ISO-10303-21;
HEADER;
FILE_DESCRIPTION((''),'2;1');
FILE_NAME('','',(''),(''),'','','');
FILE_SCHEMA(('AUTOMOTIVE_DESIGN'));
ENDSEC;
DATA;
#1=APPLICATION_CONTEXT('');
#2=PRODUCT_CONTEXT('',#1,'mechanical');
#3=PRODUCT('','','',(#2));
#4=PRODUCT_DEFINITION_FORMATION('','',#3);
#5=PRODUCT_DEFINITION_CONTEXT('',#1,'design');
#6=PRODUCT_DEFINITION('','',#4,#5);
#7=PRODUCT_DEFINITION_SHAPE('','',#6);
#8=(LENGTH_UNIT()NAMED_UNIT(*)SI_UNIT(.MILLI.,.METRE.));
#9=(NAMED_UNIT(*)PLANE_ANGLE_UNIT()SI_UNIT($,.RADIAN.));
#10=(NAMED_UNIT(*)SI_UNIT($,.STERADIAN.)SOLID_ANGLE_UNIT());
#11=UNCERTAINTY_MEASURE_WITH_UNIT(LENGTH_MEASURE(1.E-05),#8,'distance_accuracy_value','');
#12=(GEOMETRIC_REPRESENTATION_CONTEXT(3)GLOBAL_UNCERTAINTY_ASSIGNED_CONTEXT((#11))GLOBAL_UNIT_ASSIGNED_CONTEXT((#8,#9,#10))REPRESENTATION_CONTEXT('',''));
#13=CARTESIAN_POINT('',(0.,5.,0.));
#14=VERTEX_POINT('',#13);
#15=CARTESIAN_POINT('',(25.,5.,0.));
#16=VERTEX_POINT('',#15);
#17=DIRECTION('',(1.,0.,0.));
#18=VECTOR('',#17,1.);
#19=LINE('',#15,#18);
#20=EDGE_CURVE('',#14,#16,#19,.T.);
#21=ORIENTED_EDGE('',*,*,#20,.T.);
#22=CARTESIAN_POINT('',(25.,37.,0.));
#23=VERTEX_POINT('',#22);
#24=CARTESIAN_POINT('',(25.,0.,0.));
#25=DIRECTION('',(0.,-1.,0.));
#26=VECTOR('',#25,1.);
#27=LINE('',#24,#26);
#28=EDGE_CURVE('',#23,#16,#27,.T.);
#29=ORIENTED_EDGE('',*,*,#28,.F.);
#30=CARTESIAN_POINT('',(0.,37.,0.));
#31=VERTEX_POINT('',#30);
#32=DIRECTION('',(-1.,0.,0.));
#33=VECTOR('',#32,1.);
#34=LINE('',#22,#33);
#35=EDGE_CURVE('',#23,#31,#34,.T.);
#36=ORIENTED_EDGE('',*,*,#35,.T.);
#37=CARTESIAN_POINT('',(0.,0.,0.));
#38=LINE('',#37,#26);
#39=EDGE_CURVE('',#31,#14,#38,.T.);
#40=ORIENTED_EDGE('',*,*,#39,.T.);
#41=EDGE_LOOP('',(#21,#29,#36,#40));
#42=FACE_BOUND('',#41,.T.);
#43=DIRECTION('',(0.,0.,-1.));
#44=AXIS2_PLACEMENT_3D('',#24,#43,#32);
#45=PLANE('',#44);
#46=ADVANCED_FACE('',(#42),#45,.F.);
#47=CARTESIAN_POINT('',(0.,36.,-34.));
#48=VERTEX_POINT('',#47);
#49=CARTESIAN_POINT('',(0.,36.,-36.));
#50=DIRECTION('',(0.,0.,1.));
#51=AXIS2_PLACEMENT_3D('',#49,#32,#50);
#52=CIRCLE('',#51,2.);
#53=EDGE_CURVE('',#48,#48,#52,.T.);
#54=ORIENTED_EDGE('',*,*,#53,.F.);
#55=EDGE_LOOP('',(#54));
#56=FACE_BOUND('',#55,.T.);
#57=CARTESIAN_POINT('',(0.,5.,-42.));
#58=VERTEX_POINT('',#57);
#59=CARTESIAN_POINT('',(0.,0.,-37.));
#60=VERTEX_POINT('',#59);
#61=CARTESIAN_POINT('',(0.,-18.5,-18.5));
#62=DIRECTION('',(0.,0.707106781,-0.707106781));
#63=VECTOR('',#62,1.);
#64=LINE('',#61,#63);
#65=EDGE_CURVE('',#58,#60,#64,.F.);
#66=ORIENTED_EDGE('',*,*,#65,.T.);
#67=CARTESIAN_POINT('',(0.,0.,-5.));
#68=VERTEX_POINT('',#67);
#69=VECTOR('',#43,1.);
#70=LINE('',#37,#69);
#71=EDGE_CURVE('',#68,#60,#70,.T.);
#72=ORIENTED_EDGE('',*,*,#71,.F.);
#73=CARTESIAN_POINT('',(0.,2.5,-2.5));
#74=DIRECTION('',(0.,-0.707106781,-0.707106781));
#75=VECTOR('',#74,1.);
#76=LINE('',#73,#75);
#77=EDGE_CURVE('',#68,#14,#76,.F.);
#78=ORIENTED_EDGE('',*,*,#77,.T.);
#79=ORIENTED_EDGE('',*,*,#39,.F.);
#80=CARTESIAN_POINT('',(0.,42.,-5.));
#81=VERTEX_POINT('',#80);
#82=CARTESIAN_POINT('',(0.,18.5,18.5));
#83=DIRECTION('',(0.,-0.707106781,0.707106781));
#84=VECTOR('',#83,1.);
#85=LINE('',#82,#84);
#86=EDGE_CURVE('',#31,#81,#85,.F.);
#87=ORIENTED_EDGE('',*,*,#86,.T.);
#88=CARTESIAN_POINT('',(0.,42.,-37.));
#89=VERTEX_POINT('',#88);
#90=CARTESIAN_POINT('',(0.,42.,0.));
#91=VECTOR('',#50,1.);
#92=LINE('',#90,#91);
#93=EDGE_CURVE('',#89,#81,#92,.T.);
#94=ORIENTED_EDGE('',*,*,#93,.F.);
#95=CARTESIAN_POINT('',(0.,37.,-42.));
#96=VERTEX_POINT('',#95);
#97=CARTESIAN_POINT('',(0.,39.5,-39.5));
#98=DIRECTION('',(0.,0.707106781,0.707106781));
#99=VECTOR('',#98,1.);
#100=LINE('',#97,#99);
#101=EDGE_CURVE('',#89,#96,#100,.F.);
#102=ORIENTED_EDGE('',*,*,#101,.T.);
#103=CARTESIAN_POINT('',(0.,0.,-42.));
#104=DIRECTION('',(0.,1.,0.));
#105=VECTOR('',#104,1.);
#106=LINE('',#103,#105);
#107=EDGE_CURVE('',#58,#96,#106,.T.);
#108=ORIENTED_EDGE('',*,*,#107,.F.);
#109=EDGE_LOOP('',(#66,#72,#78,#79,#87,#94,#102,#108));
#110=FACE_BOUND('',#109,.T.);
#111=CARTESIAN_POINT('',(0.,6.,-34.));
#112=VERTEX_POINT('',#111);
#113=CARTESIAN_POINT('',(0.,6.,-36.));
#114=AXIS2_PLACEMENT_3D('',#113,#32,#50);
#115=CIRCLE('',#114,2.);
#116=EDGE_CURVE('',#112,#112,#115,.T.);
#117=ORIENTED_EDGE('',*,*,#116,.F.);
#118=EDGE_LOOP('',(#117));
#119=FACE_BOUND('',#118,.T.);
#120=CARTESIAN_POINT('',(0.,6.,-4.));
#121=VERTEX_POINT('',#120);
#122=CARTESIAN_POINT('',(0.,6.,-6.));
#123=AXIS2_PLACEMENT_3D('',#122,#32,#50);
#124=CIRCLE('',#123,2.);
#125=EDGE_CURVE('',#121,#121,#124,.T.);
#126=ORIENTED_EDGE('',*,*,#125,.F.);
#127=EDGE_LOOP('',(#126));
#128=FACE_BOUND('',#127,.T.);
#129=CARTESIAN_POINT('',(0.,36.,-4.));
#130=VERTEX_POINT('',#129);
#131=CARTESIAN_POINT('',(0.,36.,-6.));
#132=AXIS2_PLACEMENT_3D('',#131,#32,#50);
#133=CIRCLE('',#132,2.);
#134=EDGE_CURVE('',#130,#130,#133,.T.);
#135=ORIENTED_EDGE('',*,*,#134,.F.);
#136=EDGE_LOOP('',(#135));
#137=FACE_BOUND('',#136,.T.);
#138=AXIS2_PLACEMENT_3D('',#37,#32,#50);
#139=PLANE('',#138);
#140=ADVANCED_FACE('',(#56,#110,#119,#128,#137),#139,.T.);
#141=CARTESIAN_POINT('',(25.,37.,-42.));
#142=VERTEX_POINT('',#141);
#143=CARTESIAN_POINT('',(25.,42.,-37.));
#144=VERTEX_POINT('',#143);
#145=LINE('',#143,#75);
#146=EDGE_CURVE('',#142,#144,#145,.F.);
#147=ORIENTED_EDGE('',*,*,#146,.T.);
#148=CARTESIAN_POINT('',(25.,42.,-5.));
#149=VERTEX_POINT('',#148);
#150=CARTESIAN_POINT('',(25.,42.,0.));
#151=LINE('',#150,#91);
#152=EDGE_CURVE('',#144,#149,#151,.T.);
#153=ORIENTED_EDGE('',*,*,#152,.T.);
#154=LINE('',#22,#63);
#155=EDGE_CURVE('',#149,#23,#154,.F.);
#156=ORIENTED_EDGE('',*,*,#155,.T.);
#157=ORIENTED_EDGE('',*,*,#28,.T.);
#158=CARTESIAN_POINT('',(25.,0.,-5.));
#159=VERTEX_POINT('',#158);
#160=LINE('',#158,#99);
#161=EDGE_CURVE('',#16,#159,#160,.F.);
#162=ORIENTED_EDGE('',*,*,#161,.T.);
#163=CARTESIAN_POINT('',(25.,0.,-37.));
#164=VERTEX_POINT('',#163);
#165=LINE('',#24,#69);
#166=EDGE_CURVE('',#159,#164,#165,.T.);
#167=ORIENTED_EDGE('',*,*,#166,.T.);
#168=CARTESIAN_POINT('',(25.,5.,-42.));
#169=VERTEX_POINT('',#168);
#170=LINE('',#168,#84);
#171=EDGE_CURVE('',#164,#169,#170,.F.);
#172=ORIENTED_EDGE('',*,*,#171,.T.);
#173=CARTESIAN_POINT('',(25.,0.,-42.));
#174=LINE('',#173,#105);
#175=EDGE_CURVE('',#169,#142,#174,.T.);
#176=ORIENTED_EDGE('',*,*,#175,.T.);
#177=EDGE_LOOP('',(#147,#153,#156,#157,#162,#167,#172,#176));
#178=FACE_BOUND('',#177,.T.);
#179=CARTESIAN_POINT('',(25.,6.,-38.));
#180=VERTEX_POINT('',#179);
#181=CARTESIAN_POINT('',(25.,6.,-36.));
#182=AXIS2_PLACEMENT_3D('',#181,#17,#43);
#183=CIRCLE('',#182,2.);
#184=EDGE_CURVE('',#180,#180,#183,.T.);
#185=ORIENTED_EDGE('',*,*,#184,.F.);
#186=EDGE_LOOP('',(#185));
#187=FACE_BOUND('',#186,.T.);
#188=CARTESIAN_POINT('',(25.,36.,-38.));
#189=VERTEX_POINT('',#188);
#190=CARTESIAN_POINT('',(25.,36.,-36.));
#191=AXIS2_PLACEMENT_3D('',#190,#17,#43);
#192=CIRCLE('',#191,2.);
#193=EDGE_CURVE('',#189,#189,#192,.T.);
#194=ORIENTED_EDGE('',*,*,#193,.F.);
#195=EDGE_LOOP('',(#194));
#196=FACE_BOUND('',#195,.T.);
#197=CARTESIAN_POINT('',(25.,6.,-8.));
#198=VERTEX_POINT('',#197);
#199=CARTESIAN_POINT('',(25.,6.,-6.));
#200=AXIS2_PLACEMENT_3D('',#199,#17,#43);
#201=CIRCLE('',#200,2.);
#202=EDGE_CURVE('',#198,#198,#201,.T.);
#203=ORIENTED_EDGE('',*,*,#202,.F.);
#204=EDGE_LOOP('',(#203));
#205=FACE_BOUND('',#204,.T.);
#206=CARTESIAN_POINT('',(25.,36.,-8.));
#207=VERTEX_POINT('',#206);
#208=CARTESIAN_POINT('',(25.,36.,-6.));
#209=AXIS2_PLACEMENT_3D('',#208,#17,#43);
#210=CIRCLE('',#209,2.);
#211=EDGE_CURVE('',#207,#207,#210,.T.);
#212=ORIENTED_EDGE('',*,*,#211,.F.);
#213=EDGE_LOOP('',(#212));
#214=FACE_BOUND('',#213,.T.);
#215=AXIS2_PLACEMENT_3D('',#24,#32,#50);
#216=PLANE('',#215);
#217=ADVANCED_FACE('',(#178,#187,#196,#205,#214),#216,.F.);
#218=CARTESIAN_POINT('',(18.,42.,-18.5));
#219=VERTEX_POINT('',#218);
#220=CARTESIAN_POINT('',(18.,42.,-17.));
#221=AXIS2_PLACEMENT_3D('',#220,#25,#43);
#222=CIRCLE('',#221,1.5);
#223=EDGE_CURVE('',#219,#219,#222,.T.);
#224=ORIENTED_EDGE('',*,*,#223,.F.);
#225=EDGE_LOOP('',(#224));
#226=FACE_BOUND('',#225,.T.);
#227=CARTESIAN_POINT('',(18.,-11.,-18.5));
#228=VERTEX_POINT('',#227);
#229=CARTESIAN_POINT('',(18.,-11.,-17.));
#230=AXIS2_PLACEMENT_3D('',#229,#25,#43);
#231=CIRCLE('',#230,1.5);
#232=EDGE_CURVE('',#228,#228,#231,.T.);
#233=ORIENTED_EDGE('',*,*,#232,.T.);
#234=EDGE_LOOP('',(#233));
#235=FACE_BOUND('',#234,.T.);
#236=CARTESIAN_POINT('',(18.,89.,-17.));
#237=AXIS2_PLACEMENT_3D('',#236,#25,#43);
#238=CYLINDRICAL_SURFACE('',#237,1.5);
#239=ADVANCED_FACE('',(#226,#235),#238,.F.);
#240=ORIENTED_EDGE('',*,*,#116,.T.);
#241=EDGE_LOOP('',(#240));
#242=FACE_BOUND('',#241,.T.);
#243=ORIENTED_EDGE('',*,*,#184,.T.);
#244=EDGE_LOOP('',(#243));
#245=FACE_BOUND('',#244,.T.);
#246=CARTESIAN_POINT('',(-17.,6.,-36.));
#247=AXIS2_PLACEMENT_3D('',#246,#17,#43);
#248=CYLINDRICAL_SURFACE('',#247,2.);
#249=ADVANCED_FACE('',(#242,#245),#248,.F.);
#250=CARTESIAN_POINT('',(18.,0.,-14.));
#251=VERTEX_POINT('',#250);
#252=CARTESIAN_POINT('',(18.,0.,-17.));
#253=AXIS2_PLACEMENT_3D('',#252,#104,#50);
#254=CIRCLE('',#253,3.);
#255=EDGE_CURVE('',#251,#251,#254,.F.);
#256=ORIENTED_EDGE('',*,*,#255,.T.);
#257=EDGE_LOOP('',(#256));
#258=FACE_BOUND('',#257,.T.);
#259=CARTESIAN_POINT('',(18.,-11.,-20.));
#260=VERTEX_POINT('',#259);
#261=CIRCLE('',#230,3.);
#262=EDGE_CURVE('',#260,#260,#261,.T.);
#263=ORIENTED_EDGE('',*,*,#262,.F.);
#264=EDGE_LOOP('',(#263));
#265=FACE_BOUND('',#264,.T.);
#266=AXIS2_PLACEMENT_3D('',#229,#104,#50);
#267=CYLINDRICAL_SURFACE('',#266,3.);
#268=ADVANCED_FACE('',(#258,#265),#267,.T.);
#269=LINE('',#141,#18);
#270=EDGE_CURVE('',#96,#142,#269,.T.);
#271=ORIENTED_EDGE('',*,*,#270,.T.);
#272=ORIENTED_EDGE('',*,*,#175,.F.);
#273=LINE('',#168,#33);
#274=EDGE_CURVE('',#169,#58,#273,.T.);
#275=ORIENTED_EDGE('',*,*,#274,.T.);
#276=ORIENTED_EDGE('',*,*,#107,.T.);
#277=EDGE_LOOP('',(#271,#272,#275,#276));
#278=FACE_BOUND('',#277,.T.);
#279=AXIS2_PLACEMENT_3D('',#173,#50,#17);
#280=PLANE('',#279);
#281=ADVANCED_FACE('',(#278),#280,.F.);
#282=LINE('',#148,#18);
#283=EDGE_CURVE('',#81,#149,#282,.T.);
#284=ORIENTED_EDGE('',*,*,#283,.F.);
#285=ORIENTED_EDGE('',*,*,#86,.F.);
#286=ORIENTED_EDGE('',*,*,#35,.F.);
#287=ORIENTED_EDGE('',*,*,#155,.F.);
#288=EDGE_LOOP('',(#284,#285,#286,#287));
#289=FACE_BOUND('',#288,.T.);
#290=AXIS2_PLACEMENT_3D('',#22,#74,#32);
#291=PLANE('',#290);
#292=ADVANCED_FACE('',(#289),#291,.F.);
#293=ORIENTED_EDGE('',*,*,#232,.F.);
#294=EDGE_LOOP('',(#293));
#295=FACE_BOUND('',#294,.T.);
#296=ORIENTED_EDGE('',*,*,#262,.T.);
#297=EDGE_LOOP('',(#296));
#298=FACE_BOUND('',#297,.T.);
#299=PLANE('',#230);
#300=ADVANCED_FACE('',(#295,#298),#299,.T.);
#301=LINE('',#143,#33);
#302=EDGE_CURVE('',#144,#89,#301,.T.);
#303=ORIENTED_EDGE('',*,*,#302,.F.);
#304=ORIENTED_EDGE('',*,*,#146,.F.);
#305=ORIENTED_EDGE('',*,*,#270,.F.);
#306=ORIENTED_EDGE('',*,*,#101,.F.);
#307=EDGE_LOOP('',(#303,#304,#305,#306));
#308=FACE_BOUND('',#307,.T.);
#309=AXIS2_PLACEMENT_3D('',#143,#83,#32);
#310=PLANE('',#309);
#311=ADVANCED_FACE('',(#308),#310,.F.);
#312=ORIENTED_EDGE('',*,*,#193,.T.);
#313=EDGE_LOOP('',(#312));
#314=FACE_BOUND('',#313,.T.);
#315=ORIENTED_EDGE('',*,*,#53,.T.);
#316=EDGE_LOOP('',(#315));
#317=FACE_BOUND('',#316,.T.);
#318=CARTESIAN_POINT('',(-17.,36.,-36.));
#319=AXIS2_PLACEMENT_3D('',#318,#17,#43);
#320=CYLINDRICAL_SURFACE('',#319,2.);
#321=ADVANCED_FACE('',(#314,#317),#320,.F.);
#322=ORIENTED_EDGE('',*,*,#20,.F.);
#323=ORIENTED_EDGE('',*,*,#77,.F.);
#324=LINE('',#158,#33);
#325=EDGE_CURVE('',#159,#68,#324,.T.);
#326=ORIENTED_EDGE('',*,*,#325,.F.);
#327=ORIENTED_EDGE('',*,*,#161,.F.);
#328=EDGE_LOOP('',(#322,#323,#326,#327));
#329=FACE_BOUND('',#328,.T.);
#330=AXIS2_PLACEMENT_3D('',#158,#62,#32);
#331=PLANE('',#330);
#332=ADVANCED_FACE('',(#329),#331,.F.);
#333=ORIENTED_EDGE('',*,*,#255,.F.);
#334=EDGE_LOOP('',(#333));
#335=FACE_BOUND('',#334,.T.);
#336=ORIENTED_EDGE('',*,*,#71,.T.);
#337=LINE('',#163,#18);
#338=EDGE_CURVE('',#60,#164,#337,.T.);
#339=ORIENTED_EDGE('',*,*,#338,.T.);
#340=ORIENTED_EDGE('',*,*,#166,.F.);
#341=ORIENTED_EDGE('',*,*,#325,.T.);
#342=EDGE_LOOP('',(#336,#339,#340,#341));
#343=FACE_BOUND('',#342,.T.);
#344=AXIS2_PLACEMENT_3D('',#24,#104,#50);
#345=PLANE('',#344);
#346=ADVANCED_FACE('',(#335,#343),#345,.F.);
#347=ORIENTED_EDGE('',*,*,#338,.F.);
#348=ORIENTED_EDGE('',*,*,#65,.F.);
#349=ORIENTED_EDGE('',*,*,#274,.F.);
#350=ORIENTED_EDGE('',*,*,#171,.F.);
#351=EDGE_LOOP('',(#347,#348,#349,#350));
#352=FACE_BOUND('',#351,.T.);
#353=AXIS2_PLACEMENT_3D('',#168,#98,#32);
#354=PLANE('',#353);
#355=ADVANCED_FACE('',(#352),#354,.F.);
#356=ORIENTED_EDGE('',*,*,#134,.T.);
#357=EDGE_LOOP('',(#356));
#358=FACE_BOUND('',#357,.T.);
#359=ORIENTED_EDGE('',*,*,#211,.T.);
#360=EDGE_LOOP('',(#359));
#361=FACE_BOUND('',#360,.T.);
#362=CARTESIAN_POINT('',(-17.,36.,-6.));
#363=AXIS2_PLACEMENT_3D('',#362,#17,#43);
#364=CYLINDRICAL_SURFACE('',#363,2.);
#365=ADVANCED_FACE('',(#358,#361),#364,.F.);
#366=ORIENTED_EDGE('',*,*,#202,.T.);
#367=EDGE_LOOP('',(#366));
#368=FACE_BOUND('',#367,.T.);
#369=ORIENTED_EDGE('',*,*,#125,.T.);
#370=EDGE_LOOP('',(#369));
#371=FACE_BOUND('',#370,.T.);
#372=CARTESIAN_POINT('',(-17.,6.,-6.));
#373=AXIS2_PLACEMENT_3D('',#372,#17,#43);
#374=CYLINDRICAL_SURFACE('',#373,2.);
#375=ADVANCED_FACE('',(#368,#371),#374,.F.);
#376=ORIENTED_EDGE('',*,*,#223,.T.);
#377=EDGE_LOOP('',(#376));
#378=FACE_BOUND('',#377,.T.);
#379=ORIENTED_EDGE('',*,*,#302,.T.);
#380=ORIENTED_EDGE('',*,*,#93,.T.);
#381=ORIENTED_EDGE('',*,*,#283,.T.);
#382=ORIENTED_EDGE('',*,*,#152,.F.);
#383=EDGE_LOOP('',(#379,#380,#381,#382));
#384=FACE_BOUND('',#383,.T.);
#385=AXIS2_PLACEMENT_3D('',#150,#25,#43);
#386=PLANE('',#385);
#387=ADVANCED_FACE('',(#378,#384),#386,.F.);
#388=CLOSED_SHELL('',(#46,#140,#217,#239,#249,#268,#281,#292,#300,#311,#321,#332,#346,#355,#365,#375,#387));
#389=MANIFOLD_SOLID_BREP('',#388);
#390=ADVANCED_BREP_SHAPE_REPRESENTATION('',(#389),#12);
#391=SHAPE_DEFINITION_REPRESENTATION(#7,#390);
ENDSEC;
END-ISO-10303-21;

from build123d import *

# Parameters (mm, degrees)
SKETCH1_W           = 42
SKETCH1_H           = 42
BOSS_EXTRUDE1_DEPTH = 25
SKETCH2_R           = 3
BOSS_EXTRUDE2_DEPTH = 11
CUT_EXTRUDE1_DEPTH  = 42
SKETCH4_R           = 1.5
CUT_EXTRUDE2_DEPTH  = 100
CHAMFER2_SIZE       = 5


with BuildPart() as part:
    # Sketch1 → Boss-Extrude1 (new body)
    with BuildSketch(Plane(origin=(0, 0, 0), x_dir=(0, 0, -1), z_dir=(1, 0, 0))):
        with Locations((21, 21)):
            Rectangle(SKETCH1_W, SKETCH1_H)
    extrude(amount=BOSS_EXTRUDE1_DEPTH)

    # Sketch2 → Boss-Extrude2 (add)
    with BuildSketch(Plane.XZ):
        with Locations(Location((18, -17, 0), (0, 0, 90))):
            Circle(SKETCH2_R)
    extrude(amount=BOSS_EXTRUDE2_DEPTH)

    # Sketch3 → Cut-Extrude1 (cut)
    with BuildSketch(Plane(origin=(25, 0, 0), x_dir=(0, 0, -1), z_dir=(1, 0, 0))):
        with BuildLine():
            ThreePointArc((8, 36), (4.585786438, 37.414213562), (6, 34))
            Line((6, 34), (6, 36))
            Line((6, 36), (8, 36))
        make_face()
        with BuildLine():
            Line((6, 36), (6, 34))
            ThreePointArc((6, 34), (7.414213562, 34.585786438), (8, 36))
            Line((8, 36), (6, 36))
        make_face()
        with BuildLine():
            ThreePointArc((34, 36), (34.585786438, 34.585786438), (36, 34))
            Line((36, 34), (36, 36))
            Line((36, 36), (34, 36))
        make_face()
        with BuildLine():
            Line((36, 36), (36, 34))
            ThreePointArc((36, 34), (37.414213562, 34.585786438), (38, 36))
            ThreePointArc((38, 36), (36, 38), (34, 36))
            Line((34, 36), (36, 36))
        make_face()
        with BuildLine():
            Line((6, 8), (6, 6))
            Line((6, 6), (8, 6))
            ThreePointArc((8, 6), (7.414213562, 7.414213562), (6, 8))
        make_face()
        with BuildLine():
            Line((8, 6), (6, 6))
            Line((6, 6), (6, 8))
            ThreePointArc((6, 8), (4.585786438, 4.585786438), (8, 6))
        make_face()
        with BuildLine():
            ThreePointArc((36, 8), (34.585786438, 7.414213562), (34, 6))
            Line((34, 6), (36, 6))
            Line((36, 6), (36, 8))
        make_face()
        with BuildLine():
            Line((36, 6), (34, 6))
            ThreePointArc((34, 6), (36, 4), (38, 6))
            ThreePointArc((38, 6), (37.414213562, 7.414213562), (36, 8))
            Line((36, 8), (36, 6))
        make_face()
    extrude(amount=-CUT_EXTRUDE1_DEPTH, mode=Mode.SUBTRACT)

    # Sketch4 → Cut-Extrude2 (cut)
    with BuildSketch(Plane.XZ.offset(11)):
        with Locations(Location((18, -17, 0), (0, 0, 270))):
            Circle(SKETCH4_R)
    extrude(amount=-CUT_EXTRUDE2_DEPTH, mode=Mode.SUBTRACT)

    # Chamfer2
    chamfer2_edges = [part.edges().sort_by_distance(p)[0] for p in [
        (12.5, 42, 0),
        (12.5, 42, -42),
        (12.5, 0, -42),
        (12.5, 0, 0),
    ]]
    chamfer(chamfer2_edges, length=CHAMFER2_SIZE)


solid = part.part
